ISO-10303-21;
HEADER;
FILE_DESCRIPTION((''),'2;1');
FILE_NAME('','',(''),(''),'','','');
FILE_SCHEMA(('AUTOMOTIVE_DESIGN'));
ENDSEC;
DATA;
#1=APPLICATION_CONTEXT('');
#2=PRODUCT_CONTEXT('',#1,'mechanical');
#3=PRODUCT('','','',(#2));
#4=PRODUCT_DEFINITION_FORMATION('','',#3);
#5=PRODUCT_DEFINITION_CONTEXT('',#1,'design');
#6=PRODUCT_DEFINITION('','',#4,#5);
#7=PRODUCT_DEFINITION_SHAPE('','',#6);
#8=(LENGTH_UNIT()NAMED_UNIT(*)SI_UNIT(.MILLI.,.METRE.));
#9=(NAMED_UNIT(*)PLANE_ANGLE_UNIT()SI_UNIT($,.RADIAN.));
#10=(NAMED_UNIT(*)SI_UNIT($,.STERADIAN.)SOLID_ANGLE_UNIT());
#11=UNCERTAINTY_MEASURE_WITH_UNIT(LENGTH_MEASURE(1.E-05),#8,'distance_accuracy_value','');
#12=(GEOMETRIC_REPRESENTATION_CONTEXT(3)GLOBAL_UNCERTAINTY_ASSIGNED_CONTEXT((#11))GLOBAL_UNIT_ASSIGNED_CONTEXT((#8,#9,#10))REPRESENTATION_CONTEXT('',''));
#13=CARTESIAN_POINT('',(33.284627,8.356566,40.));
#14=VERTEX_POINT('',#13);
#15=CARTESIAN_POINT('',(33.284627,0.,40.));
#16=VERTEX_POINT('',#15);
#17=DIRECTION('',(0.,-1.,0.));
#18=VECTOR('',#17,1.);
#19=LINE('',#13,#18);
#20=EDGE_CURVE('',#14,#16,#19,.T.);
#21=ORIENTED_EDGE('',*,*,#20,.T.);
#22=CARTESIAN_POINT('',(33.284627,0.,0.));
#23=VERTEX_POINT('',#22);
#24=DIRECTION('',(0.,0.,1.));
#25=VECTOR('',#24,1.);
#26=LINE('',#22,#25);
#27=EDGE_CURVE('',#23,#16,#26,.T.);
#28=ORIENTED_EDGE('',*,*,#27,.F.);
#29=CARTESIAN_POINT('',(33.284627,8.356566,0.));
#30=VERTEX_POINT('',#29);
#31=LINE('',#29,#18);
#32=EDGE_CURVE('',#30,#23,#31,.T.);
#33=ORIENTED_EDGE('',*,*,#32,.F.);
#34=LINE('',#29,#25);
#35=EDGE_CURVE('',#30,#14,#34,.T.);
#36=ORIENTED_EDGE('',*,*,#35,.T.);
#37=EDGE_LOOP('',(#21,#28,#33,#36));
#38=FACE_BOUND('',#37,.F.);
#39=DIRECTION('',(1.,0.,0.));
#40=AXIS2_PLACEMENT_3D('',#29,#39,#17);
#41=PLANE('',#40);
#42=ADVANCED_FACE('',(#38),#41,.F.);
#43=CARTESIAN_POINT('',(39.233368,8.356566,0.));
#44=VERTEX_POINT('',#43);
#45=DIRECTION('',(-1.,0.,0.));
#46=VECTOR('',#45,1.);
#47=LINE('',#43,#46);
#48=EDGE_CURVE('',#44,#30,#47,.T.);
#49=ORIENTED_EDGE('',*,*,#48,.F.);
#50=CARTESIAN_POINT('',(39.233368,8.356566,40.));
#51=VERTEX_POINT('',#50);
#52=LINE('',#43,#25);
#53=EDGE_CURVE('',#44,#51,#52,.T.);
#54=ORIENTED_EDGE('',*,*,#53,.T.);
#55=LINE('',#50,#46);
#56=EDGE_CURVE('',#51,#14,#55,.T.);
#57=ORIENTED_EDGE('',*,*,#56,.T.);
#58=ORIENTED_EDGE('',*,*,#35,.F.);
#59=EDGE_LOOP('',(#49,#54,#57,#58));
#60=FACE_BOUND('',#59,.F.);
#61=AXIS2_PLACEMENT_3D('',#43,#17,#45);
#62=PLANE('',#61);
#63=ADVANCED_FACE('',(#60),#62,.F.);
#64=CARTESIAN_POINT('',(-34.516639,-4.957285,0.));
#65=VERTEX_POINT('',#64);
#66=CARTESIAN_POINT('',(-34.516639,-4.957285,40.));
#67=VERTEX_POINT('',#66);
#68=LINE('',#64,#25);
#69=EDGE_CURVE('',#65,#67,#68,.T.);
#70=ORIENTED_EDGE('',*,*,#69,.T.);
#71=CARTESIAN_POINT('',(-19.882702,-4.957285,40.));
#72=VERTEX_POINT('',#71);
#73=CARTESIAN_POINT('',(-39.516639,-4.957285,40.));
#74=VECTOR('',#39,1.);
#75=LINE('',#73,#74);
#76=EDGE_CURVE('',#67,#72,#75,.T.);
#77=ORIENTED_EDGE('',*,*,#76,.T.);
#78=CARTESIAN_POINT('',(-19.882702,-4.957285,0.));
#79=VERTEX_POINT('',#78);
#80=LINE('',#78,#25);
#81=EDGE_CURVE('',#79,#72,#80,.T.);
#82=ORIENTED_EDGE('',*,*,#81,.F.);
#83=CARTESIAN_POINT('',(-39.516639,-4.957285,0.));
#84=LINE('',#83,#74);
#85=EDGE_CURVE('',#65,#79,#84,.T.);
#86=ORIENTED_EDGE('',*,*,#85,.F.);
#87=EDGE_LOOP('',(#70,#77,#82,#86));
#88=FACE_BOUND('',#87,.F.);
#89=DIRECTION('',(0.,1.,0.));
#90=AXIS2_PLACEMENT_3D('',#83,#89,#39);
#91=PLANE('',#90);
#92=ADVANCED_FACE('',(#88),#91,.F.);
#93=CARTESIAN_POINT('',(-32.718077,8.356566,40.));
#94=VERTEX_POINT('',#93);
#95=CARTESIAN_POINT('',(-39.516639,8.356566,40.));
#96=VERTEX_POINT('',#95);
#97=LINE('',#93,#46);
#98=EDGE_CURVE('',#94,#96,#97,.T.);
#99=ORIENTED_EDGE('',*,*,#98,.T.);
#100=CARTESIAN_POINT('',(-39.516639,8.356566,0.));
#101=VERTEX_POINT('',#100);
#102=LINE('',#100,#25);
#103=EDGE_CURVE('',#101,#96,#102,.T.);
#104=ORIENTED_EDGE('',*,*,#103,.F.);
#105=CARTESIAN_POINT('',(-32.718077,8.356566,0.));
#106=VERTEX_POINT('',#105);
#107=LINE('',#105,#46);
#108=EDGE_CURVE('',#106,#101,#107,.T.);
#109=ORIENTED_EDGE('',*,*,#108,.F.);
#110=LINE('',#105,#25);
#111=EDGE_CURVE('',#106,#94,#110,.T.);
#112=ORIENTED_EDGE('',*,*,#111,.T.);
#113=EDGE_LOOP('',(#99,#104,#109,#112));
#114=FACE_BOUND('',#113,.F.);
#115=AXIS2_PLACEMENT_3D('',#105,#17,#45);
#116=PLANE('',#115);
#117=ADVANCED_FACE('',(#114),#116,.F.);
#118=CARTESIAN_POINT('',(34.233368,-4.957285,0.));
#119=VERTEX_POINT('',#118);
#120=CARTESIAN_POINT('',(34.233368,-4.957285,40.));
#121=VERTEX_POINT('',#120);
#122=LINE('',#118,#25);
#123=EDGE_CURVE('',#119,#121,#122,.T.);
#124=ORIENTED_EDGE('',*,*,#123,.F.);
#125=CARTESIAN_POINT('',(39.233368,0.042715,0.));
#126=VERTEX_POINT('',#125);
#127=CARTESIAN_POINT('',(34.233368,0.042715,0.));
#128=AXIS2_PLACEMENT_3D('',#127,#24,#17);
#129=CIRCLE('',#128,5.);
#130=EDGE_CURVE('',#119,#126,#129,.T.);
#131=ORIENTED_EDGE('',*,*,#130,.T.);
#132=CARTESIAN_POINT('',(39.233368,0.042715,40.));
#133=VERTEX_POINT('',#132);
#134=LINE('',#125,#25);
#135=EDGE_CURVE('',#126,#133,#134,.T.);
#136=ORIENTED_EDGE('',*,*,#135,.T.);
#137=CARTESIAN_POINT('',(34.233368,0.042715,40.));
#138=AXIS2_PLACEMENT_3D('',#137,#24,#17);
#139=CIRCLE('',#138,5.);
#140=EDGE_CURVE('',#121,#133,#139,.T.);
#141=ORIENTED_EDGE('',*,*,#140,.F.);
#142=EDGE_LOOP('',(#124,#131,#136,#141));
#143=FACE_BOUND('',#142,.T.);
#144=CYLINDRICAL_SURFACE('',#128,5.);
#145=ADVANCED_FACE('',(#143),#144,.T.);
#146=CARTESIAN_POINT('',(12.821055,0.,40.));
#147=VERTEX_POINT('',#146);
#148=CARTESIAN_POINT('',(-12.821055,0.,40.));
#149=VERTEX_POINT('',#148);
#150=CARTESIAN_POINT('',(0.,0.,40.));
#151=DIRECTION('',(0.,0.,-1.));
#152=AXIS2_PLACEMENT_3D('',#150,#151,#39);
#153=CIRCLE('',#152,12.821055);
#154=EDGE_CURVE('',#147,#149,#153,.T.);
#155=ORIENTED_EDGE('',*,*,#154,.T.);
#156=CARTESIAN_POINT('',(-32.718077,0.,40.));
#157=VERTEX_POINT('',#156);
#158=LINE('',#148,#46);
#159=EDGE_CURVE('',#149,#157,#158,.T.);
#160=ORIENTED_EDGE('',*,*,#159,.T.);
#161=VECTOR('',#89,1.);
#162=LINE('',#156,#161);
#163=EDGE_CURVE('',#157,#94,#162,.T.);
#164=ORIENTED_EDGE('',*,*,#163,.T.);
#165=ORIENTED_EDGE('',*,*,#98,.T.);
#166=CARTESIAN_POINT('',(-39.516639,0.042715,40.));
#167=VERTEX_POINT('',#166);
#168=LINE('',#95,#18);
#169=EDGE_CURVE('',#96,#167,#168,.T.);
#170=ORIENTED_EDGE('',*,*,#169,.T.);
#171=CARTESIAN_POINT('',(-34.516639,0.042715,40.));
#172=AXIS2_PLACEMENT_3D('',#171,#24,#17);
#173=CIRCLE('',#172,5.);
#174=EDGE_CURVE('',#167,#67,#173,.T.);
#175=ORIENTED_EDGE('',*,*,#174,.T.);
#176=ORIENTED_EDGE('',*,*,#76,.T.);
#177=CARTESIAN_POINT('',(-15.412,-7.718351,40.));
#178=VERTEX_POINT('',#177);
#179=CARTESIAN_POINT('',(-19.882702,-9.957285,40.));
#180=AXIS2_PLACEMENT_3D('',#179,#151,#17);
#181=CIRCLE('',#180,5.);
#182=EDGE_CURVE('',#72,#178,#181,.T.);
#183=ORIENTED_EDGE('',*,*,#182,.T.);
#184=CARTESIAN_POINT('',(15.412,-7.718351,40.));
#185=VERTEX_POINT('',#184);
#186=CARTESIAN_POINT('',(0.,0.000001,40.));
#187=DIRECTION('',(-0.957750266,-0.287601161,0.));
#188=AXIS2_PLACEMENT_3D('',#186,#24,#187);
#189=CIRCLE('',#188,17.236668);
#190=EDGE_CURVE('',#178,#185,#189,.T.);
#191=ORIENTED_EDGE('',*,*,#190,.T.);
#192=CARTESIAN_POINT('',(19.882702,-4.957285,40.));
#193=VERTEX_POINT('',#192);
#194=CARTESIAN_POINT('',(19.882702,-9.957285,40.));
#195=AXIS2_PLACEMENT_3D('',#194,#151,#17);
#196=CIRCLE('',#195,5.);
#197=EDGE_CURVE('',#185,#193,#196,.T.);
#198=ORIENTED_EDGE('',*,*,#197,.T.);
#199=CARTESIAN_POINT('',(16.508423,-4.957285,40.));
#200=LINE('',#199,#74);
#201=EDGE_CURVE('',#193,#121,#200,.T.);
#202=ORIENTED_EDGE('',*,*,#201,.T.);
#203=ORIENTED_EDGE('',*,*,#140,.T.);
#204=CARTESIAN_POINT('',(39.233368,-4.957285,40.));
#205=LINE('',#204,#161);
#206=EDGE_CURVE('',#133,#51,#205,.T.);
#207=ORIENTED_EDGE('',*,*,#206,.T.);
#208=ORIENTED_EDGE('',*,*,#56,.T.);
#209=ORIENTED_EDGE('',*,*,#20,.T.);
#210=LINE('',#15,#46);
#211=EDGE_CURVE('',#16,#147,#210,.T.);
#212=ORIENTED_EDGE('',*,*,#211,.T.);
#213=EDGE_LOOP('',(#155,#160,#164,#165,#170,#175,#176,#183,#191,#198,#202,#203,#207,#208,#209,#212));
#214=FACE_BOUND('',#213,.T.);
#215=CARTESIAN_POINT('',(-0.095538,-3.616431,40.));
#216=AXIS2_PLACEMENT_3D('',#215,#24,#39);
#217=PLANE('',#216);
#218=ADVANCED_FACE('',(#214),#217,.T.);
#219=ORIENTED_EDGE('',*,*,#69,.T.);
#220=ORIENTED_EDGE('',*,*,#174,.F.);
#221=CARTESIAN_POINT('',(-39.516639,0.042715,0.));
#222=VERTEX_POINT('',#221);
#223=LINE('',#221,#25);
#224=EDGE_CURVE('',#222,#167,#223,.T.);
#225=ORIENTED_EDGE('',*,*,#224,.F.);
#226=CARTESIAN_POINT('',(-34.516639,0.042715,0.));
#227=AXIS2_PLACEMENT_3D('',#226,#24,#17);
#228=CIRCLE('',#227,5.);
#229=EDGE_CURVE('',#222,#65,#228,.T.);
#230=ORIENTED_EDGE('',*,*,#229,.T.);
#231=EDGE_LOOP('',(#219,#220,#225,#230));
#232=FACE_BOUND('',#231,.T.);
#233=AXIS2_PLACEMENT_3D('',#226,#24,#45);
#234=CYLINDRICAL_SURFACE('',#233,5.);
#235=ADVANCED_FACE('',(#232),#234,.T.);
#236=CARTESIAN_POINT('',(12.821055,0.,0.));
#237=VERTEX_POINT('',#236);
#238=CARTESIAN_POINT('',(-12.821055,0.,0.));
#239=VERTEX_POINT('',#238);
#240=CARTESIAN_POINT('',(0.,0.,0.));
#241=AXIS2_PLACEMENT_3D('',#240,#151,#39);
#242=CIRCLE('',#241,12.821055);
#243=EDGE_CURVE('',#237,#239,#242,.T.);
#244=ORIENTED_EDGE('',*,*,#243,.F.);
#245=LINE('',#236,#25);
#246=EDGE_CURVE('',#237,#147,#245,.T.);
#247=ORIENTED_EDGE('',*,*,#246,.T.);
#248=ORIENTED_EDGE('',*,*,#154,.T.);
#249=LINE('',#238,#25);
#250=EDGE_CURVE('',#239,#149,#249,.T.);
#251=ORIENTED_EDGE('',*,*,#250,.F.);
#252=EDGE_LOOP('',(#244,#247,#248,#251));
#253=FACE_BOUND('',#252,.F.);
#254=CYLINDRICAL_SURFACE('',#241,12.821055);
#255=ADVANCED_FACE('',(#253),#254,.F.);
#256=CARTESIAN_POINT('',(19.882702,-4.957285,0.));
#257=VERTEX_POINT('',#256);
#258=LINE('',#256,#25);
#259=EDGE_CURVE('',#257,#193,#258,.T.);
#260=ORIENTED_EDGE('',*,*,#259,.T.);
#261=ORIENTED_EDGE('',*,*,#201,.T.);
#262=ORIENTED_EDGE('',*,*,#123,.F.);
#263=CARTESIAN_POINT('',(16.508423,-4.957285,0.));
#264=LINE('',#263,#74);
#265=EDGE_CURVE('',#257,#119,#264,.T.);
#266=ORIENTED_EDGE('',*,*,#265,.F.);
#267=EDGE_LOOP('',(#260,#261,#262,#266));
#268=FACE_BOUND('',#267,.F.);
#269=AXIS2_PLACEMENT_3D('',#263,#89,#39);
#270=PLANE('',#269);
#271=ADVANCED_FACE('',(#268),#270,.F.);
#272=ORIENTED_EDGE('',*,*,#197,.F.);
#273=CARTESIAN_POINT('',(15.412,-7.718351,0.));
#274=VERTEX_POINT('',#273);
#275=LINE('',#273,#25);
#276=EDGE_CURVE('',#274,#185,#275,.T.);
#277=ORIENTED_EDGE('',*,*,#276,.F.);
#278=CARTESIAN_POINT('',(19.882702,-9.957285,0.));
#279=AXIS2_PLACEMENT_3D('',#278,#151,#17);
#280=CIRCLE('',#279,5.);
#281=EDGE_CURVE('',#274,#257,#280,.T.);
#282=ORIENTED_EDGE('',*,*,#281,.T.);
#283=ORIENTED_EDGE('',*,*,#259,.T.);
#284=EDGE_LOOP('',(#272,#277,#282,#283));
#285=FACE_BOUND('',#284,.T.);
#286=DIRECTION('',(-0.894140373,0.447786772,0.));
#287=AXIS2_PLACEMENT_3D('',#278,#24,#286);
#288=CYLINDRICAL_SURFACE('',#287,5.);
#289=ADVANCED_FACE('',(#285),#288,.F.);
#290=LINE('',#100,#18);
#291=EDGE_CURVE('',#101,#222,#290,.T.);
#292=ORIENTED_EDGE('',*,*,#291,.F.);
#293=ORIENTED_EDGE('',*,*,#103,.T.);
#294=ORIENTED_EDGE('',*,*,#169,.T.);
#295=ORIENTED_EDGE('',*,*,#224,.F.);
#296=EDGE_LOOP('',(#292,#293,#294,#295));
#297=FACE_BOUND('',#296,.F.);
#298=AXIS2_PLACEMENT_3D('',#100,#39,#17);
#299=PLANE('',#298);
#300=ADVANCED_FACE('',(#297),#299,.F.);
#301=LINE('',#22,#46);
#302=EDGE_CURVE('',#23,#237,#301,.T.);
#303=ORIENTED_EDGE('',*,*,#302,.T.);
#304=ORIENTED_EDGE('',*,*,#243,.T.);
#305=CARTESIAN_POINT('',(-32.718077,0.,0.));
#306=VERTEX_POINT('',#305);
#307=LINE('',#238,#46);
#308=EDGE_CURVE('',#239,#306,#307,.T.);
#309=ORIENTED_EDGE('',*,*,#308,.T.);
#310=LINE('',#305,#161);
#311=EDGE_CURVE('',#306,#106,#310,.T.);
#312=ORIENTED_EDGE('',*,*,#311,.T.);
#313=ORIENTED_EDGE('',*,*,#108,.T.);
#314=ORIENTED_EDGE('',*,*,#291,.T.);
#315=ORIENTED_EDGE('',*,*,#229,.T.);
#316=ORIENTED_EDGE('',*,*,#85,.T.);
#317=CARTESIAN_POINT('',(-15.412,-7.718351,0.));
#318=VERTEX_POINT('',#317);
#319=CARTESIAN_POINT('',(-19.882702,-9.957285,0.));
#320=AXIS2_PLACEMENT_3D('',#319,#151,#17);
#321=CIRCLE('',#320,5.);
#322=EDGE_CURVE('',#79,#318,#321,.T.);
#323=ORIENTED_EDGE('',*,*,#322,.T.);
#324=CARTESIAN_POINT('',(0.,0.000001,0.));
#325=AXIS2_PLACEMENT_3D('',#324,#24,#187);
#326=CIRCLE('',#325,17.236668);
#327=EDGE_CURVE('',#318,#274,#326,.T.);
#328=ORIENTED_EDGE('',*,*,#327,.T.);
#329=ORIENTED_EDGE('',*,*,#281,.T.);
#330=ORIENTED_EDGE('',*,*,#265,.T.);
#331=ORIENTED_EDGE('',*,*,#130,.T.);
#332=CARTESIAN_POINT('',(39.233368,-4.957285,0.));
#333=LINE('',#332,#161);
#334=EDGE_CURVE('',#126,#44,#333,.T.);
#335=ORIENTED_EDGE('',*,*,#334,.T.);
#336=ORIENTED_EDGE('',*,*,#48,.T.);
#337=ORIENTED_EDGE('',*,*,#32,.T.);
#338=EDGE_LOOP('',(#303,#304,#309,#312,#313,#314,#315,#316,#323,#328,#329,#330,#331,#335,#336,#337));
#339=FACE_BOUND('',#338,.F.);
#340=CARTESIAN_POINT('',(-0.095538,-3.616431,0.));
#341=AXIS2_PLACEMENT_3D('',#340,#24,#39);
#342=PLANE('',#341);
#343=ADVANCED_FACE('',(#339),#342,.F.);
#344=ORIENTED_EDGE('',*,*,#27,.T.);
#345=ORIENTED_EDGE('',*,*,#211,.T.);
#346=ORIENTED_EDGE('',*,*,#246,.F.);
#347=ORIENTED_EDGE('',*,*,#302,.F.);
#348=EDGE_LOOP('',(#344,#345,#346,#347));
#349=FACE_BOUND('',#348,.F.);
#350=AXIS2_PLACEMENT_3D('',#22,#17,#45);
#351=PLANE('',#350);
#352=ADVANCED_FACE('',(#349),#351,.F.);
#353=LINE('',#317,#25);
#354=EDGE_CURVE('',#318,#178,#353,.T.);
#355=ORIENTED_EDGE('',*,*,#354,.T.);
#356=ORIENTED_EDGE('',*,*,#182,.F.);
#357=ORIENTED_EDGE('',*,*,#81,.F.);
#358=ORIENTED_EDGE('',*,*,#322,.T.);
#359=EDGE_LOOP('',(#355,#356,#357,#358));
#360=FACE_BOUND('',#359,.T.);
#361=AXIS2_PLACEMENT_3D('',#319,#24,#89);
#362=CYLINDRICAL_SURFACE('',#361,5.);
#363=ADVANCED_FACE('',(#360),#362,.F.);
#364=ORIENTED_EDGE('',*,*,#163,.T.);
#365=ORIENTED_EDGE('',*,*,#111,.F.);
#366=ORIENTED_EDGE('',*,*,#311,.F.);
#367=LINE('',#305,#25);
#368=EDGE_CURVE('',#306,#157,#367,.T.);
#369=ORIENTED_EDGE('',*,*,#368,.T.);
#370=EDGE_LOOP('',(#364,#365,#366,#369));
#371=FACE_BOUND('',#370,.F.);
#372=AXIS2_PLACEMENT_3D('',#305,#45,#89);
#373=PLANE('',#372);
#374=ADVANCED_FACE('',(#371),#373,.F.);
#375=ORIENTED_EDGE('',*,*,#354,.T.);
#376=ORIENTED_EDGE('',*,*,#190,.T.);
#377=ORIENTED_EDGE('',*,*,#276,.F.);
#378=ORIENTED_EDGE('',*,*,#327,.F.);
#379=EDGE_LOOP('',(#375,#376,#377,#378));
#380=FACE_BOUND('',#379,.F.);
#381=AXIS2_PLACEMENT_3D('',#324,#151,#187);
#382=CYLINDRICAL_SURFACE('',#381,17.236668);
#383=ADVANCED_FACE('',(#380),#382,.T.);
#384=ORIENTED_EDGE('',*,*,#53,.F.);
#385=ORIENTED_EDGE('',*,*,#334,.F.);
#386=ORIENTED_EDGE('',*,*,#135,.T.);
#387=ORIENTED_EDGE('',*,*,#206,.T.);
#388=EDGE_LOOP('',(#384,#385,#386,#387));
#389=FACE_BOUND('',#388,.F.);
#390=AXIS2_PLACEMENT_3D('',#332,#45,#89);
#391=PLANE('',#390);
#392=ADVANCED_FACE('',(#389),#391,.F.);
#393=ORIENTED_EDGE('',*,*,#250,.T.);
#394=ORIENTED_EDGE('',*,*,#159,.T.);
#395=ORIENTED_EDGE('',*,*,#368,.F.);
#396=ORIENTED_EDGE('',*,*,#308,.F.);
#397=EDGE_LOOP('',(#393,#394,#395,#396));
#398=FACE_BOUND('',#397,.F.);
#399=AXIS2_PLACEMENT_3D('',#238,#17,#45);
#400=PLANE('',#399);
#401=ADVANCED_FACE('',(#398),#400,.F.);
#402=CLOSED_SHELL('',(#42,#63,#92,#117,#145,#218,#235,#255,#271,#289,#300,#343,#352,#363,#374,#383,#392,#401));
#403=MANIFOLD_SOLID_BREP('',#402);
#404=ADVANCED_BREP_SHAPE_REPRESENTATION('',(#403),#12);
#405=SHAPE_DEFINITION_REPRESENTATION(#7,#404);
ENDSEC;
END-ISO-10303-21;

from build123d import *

# Parameters (mm, degrees)
F1_DEPTH = 40
F2_R     = 5


with BuildPart() as f1:
    # F0 (on Top) → F1 (new body)
    with BuildSketch(Plane.XY):
        with BuildLine():
            ThreePointArc((12.821055, 0), (0, -12.821055), (-12.821055, 0))
            Line((-12.821055, 0), (-32.718077, 0))
            Line((-32.718077, 0), (-32.718077, 8.356566))
            Line((-32.718077, 8.356566), (-39.516639, 8.356566))
            Line((-39.516639, 8.356566), (-39.516639, -4.957285))
            Line((-39.516639, -4.957285), (-16.508423, -4.957285))
            ThreePointArc((-16.508423, -4.957285), (0, -17.236667), (16.508423, -4.957285))
            Line((16.508423, -4.957285), (39.233368, -4.957285))
            Line((39.233368, -4.957285), (39.233368, 8.356566))
            Line((39.233368, 8.356566), (33.284627, 8.356566))
            Line((33.284627, 8.356566), (33.284627, 0))
            Line((33.284627, 0), (12.821055, 0))
        make_face()
    extrude(amount=F1_DEPTH)

    # F2
    f2_edges = [f1.edges().sort_by_distance(p)[0] for p in [
        (16.508423, -4.957285, 20),
        (39.233368, -4.957285, 20),
        (-39.516639, -4.957285, 20),
        (-16.508423, -4.957285, 20),
    ]]
    fillet(f2_edges, radius=F2_R)


solid = f1.part
